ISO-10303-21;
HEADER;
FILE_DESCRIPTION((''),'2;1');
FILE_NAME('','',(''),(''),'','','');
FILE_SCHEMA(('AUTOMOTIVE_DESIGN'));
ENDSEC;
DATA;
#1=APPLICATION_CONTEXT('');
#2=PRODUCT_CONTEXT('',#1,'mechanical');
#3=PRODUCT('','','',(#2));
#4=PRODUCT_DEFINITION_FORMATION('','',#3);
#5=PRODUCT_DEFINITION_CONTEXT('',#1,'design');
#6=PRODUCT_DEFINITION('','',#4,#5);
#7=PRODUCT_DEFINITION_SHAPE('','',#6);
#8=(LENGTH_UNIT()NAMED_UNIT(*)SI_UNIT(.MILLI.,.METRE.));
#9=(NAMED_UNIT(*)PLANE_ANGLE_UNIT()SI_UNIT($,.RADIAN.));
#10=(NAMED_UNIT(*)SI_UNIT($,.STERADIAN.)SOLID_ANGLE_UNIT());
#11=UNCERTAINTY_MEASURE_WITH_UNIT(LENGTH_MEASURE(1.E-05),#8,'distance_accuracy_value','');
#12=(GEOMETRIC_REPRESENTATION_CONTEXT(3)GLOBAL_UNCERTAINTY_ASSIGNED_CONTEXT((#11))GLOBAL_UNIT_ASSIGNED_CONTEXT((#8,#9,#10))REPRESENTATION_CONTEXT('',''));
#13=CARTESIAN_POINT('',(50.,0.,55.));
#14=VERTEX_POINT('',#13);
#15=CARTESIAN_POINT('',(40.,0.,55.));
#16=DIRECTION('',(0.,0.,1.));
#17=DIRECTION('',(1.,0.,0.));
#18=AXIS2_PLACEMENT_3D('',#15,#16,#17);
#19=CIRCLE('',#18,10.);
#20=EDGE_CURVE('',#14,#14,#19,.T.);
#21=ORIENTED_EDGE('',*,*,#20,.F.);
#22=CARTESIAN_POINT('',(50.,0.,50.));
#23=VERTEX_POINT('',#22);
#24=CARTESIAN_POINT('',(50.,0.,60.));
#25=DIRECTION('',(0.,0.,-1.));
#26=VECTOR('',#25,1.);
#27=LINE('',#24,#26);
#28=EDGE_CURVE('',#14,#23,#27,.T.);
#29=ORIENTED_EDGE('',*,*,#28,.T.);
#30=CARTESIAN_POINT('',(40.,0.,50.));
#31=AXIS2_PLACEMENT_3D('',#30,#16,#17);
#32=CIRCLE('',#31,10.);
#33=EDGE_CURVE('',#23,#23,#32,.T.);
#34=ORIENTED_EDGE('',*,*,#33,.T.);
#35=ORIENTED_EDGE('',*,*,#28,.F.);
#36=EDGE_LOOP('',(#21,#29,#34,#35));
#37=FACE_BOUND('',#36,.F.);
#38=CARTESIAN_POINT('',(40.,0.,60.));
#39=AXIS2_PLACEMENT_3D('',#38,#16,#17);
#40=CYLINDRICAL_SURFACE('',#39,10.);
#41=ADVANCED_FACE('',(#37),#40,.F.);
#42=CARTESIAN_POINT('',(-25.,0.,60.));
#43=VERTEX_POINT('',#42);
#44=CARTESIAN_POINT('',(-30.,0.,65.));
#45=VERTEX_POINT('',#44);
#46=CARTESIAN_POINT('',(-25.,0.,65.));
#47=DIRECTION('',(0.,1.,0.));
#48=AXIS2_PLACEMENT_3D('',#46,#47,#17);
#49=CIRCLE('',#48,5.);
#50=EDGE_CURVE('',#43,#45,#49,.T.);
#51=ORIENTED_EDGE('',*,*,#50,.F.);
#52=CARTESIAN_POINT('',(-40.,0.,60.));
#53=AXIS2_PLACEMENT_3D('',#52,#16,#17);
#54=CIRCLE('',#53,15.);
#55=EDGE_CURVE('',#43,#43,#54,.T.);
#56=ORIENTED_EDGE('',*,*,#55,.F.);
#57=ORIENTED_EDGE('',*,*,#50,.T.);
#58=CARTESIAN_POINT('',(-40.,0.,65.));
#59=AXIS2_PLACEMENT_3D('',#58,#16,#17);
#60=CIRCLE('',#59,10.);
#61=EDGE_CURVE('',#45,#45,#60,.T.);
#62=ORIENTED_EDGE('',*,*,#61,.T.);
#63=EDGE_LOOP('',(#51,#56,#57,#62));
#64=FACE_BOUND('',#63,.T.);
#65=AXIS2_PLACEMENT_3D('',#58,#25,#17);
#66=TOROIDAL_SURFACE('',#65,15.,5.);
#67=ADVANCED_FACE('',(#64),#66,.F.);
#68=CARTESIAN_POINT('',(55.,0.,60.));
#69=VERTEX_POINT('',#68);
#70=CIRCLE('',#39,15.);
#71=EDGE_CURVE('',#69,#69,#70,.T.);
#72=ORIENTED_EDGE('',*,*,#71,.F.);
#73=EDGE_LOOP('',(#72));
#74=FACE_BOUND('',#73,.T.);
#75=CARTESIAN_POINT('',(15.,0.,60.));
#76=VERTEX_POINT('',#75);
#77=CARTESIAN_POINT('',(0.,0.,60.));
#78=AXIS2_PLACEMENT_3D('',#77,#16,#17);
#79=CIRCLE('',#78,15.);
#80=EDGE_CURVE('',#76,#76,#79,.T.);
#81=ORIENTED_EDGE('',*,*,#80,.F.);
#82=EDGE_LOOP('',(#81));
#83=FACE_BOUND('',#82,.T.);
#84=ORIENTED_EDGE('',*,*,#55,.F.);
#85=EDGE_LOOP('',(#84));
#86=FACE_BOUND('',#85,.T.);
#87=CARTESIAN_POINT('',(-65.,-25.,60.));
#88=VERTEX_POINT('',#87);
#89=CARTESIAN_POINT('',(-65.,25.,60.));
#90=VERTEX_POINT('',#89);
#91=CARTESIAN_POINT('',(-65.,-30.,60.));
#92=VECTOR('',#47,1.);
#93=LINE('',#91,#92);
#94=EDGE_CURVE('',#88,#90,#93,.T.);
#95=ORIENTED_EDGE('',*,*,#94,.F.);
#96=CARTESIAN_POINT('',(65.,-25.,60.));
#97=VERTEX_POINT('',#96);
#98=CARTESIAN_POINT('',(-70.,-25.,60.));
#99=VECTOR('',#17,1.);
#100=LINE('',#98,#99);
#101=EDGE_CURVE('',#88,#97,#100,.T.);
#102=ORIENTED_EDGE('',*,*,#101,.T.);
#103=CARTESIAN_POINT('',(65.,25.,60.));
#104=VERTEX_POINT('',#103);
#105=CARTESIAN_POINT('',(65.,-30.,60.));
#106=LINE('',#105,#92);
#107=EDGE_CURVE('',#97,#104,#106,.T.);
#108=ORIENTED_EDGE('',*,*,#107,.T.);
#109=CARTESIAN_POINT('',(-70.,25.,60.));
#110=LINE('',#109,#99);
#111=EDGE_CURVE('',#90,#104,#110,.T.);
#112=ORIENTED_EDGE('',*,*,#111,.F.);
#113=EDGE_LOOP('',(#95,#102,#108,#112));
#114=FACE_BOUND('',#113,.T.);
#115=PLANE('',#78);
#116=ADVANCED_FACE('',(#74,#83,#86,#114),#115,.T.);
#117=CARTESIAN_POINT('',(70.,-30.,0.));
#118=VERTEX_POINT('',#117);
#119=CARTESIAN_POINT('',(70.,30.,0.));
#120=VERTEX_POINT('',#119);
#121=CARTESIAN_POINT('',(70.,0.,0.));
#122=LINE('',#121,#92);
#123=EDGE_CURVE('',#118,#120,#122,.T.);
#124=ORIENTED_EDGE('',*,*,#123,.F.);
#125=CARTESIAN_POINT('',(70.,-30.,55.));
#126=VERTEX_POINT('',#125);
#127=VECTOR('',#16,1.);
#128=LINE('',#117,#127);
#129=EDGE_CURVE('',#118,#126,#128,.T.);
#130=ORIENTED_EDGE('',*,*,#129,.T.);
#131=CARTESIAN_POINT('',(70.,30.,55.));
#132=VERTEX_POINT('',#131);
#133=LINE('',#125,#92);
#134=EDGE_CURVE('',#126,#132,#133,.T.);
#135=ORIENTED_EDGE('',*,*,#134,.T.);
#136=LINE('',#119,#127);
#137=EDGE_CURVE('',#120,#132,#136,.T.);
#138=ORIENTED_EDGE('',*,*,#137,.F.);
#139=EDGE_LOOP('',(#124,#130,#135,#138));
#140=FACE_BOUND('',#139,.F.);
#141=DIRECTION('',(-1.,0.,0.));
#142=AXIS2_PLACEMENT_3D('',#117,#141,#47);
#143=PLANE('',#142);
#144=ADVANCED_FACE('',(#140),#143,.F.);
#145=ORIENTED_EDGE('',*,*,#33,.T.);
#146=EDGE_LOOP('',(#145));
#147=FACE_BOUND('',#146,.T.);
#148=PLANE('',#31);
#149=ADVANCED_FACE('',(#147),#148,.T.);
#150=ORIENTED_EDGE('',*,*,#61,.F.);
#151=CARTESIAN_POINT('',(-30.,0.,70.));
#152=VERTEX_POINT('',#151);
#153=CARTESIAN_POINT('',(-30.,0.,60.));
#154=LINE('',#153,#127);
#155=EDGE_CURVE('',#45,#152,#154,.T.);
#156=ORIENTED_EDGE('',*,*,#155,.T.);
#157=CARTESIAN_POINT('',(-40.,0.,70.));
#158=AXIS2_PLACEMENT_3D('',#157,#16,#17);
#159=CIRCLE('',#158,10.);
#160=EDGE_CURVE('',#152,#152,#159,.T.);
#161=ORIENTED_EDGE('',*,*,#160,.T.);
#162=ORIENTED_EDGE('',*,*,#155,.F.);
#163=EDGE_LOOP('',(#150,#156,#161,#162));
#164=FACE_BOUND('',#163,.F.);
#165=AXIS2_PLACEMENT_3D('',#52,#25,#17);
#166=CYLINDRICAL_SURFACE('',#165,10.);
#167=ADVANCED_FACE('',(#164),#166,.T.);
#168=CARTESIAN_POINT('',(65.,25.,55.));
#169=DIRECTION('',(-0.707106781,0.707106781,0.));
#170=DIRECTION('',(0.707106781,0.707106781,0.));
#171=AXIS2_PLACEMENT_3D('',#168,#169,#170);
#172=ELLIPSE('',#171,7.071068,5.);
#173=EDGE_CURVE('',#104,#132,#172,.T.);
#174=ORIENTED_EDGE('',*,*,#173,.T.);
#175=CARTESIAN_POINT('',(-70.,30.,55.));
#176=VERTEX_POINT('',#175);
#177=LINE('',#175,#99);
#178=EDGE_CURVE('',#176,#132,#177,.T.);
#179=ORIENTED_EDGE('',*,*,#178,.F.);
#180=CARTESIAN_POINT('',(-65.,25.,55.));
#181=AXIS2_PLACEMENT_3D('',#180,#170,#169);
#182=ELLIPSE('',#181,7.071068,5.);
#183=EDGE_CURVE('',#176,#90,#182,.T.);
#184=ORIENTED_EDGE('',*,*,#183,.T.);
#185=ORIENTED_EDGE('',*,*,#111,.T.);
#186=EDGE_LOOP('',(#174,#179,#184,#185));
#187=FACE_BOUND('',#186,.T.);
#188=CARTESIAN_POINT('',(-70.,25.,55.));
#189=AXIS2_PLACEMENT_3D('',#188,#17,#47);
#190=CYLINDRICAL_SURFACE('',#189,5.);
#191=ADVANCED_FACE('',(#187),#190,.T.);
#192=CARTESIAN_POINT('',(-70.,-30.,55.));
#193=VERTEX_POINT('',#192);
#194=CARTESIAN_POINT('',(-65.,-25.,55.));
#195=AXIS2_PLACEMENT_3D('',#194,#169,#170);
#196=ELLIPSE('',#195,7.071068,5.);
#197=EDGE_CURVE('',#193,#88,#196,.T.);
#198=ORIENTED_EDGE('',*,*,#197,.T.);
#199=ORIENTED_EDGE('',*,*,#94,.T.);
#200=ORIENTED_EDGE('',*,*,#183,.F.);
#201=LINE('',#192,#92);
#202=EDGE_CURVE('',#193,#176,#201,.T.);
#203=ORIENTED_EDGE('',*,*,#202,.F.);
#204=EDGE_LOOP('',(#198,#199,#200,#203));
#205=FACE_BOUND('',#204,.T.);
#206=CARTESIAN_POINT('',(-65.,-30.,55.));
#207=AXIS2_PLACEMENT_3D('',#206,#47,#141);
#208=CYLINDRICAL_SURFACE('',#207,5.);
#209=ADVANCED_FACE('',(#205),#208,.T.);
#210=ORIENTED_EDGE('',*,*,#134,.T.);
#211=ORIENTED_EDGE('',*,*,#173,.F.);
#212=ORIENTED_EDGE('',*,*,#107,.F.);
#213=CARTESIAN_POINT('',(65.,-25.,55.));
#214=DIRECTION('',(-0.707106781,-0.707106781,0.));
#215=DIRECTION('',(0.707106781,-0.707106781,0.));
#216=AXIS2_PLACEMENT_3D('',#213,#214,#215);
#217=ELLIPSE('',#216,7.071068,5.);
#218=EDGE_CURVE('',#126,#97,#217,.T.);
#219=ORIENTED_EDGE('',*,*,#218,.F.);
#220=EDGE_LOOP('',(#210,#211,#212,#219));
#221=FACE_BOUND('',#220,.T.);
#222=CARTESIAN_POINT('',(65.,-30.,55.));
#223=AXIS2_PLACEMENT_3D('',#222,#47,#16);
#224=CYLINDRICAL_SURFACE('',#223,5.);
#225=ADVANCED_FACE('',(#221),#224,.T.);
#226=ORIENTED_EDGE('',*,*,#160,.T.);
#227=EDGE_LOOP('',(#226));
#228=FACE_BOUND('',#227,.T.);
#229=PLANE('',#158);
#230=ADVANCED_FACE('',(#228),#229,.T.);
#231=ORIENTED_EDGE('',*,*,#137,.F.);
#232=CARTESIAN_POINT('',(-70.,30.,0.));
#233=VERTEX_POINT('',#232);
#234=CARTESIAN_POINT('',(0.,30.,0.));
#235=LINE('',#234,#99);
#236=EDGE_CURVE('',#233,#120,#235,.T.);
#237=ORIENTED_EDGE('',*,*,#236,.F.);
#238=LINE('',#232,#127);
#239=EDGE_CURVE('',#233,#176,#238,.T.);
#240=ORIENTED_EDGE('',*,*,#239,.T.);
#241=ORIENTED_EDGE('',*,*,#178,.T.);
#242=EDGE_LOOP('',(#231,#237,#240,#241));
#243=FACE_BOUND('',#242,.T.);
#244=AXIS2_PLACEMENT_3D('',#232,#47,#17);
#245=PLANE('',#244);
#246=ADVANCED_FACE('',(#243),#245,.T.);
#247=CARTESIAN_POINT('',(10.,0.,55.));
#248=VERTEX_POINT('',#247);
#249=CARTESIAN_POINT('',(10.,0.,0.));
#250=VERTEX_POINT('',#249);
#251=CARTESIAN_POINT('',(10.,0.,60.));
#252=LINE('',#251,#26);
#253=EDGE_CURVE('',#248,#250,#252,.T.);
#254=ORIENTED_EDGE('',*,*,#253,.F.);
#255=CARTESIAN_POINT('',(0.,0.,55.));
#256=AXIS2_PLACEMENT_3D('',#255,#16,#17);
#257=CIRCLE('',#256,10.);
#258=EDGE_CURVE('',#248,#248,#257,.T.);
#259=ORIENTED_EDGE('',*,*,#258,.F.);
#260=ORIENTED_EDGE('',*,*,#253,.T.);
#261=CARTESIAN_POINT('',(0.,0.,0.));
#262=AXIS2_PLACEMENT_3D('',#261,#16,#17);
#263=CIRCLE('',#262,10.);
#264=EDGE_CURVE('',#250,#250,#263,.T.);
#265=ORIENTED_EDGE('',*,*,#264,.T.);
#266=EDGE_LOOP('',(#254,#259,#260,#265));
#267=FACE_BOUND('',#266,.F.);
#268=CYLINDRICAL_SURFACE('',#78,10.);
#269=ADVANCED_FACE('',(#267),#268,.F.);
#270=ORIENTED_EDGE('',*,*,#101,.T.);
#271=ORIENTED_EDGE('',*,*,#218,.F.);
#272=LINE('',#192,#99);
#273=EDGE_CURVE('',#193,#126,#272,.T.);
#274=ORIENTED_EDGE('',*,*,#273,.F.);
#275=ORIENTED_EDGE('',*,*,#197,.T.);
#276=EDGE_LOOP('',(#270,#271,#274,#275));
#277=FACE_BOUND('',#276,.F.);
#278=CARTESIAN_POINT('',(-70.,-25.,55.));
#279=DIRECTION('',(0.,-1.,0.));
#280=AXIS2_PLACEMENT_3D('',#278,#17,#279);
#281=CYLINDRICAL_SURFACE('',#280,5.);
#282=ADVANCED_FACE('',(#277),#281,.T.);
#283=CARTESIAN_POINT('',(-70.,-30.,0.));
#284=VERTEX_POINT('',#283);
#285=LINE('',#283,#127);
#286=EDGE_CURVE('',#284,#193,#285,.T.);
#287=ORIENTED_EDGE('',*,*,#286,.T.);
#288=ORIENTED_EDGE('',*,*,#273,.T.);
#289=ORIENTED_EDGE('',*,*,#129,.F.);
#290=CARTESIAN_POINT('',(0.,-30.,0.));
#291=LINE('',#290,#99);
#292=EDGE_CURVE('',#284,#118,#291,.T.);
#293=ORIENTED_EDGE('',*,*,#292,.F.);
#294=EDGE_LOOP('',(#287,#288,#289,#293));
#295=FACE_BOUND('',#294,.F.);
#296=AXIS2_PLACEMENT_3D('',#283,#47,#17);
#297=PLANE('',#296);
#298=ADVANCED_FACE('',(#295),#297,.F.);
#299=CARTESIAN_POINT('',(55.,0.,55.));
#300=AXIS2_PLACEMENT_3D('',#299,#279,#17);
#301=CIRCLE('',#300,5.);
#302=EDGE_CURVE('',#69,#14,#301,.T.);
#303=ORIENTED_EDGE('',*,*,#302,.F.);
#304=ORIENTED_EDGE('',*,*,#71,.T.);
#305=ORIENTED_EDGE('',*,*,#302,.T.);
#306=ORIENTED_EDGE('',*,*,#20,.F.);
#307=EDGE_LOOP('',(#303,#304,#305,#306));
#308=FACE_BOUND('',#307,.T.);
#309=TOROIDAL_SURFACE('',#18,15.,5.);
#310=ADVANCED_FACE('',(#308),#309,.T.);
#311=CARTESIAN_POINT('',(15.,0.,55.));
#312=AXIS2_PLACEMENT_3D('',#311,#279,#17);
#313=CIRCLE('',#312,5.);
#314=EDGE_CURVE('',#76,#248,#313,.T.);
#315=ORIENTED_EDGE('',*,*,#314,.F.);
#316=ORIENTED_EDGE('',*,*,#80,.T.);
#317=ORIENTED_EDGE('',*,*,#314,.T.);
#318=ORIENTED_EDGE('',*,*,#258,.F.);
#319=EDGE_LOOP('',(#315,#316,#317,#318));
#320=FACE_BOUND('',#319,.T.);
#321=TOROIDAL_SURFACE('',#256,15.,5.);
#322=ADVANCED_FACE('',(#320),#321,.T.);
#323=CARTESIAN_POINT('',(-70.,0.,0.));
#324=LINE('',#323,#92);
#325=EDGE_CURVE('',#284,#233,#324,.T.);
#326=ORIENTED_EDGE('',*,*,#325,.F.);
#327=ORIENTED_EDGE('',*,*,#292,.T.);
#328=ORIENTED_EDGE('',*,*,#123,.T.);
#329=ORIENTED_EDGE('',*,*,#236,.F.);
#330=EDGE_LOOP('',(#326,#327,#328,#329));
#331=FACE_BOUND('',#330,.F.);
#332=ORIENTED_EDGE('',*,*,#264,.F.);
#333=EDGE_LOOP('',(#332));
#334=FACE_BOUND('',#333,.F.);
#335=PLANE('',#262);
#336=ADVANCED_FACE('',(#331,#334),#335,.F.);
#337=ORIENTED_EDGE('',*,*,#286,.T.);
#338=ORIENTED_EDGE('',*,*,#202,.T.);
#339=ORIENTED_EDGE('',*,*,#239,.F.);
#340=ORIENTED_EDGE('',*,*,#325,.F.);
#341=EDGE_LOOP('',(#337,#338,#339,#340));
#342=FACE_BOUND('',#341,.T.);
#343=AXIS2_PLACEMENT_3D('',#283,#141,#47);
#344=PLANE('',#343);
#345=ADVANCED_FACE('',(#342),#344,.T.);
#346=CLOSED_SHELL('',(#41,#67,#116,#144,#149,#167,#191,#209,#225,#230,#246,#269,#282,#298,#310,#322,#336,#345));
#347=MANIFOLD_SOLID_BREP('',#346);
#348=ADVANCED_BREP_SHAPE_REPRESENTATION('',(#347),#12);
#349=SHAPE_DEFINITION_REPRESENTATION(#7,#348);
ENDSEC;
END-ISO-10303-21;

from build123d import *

# Parameters (mm, degrees)
F0_W     = 140
F0_H     = 60
F1_DEPTH = 60
F2_R     = 10
F5_DEPTH = 10
F3_R     = 10
F6_DEPTH = 10
F4_R     = 10
F7_DEPTH = 79.5
F8_R     = 5


with BuildPart() as f1:
    # F0 (on Top) → F1 (new body)
    with BuildSketch(Plane.XY):
        Rectangle(F0_W, F0_H)
    extrude(amount=F1_DEPTH)

    # F2 (on face) → F5 (join)
    with BuildSketch(Plane.XY.offset(60)):
        with Locations((-40, 0)):
            Circle(F2_R)
    extrude(amount=F5_DEPTH)

    # F3 (on face) → F6 (cut)
    with BuildSketch(Plane.XY.offset(60)):
        with Locations((40, 0)):
            Circle(F3_R)
    extrude(amount=-F6_DEPTH, mode=Mode.SUBTRACT)

    # F4 (on face) → F7 (cut)
    with BuildSketch(Plane.XY.offset(60)):
        Circle(F4_R)
    extrude(amount=-F7_DEPTH, mode=Mode.SUBTRACT)

    # F8
    f8_edges = [f1.edges().sort_by_distance(p)[0] for p in [
        (-70, 0, 60),
        (0, -30, 60),
        (70, 0, 60),
        (0, 30, 60),
        (-50, 0, 60),
        (-10, 0, 60),
        (30, 0, 60),
    ]]
    fillet(f8_edges, radius=F8_R)


solid = f1.part
